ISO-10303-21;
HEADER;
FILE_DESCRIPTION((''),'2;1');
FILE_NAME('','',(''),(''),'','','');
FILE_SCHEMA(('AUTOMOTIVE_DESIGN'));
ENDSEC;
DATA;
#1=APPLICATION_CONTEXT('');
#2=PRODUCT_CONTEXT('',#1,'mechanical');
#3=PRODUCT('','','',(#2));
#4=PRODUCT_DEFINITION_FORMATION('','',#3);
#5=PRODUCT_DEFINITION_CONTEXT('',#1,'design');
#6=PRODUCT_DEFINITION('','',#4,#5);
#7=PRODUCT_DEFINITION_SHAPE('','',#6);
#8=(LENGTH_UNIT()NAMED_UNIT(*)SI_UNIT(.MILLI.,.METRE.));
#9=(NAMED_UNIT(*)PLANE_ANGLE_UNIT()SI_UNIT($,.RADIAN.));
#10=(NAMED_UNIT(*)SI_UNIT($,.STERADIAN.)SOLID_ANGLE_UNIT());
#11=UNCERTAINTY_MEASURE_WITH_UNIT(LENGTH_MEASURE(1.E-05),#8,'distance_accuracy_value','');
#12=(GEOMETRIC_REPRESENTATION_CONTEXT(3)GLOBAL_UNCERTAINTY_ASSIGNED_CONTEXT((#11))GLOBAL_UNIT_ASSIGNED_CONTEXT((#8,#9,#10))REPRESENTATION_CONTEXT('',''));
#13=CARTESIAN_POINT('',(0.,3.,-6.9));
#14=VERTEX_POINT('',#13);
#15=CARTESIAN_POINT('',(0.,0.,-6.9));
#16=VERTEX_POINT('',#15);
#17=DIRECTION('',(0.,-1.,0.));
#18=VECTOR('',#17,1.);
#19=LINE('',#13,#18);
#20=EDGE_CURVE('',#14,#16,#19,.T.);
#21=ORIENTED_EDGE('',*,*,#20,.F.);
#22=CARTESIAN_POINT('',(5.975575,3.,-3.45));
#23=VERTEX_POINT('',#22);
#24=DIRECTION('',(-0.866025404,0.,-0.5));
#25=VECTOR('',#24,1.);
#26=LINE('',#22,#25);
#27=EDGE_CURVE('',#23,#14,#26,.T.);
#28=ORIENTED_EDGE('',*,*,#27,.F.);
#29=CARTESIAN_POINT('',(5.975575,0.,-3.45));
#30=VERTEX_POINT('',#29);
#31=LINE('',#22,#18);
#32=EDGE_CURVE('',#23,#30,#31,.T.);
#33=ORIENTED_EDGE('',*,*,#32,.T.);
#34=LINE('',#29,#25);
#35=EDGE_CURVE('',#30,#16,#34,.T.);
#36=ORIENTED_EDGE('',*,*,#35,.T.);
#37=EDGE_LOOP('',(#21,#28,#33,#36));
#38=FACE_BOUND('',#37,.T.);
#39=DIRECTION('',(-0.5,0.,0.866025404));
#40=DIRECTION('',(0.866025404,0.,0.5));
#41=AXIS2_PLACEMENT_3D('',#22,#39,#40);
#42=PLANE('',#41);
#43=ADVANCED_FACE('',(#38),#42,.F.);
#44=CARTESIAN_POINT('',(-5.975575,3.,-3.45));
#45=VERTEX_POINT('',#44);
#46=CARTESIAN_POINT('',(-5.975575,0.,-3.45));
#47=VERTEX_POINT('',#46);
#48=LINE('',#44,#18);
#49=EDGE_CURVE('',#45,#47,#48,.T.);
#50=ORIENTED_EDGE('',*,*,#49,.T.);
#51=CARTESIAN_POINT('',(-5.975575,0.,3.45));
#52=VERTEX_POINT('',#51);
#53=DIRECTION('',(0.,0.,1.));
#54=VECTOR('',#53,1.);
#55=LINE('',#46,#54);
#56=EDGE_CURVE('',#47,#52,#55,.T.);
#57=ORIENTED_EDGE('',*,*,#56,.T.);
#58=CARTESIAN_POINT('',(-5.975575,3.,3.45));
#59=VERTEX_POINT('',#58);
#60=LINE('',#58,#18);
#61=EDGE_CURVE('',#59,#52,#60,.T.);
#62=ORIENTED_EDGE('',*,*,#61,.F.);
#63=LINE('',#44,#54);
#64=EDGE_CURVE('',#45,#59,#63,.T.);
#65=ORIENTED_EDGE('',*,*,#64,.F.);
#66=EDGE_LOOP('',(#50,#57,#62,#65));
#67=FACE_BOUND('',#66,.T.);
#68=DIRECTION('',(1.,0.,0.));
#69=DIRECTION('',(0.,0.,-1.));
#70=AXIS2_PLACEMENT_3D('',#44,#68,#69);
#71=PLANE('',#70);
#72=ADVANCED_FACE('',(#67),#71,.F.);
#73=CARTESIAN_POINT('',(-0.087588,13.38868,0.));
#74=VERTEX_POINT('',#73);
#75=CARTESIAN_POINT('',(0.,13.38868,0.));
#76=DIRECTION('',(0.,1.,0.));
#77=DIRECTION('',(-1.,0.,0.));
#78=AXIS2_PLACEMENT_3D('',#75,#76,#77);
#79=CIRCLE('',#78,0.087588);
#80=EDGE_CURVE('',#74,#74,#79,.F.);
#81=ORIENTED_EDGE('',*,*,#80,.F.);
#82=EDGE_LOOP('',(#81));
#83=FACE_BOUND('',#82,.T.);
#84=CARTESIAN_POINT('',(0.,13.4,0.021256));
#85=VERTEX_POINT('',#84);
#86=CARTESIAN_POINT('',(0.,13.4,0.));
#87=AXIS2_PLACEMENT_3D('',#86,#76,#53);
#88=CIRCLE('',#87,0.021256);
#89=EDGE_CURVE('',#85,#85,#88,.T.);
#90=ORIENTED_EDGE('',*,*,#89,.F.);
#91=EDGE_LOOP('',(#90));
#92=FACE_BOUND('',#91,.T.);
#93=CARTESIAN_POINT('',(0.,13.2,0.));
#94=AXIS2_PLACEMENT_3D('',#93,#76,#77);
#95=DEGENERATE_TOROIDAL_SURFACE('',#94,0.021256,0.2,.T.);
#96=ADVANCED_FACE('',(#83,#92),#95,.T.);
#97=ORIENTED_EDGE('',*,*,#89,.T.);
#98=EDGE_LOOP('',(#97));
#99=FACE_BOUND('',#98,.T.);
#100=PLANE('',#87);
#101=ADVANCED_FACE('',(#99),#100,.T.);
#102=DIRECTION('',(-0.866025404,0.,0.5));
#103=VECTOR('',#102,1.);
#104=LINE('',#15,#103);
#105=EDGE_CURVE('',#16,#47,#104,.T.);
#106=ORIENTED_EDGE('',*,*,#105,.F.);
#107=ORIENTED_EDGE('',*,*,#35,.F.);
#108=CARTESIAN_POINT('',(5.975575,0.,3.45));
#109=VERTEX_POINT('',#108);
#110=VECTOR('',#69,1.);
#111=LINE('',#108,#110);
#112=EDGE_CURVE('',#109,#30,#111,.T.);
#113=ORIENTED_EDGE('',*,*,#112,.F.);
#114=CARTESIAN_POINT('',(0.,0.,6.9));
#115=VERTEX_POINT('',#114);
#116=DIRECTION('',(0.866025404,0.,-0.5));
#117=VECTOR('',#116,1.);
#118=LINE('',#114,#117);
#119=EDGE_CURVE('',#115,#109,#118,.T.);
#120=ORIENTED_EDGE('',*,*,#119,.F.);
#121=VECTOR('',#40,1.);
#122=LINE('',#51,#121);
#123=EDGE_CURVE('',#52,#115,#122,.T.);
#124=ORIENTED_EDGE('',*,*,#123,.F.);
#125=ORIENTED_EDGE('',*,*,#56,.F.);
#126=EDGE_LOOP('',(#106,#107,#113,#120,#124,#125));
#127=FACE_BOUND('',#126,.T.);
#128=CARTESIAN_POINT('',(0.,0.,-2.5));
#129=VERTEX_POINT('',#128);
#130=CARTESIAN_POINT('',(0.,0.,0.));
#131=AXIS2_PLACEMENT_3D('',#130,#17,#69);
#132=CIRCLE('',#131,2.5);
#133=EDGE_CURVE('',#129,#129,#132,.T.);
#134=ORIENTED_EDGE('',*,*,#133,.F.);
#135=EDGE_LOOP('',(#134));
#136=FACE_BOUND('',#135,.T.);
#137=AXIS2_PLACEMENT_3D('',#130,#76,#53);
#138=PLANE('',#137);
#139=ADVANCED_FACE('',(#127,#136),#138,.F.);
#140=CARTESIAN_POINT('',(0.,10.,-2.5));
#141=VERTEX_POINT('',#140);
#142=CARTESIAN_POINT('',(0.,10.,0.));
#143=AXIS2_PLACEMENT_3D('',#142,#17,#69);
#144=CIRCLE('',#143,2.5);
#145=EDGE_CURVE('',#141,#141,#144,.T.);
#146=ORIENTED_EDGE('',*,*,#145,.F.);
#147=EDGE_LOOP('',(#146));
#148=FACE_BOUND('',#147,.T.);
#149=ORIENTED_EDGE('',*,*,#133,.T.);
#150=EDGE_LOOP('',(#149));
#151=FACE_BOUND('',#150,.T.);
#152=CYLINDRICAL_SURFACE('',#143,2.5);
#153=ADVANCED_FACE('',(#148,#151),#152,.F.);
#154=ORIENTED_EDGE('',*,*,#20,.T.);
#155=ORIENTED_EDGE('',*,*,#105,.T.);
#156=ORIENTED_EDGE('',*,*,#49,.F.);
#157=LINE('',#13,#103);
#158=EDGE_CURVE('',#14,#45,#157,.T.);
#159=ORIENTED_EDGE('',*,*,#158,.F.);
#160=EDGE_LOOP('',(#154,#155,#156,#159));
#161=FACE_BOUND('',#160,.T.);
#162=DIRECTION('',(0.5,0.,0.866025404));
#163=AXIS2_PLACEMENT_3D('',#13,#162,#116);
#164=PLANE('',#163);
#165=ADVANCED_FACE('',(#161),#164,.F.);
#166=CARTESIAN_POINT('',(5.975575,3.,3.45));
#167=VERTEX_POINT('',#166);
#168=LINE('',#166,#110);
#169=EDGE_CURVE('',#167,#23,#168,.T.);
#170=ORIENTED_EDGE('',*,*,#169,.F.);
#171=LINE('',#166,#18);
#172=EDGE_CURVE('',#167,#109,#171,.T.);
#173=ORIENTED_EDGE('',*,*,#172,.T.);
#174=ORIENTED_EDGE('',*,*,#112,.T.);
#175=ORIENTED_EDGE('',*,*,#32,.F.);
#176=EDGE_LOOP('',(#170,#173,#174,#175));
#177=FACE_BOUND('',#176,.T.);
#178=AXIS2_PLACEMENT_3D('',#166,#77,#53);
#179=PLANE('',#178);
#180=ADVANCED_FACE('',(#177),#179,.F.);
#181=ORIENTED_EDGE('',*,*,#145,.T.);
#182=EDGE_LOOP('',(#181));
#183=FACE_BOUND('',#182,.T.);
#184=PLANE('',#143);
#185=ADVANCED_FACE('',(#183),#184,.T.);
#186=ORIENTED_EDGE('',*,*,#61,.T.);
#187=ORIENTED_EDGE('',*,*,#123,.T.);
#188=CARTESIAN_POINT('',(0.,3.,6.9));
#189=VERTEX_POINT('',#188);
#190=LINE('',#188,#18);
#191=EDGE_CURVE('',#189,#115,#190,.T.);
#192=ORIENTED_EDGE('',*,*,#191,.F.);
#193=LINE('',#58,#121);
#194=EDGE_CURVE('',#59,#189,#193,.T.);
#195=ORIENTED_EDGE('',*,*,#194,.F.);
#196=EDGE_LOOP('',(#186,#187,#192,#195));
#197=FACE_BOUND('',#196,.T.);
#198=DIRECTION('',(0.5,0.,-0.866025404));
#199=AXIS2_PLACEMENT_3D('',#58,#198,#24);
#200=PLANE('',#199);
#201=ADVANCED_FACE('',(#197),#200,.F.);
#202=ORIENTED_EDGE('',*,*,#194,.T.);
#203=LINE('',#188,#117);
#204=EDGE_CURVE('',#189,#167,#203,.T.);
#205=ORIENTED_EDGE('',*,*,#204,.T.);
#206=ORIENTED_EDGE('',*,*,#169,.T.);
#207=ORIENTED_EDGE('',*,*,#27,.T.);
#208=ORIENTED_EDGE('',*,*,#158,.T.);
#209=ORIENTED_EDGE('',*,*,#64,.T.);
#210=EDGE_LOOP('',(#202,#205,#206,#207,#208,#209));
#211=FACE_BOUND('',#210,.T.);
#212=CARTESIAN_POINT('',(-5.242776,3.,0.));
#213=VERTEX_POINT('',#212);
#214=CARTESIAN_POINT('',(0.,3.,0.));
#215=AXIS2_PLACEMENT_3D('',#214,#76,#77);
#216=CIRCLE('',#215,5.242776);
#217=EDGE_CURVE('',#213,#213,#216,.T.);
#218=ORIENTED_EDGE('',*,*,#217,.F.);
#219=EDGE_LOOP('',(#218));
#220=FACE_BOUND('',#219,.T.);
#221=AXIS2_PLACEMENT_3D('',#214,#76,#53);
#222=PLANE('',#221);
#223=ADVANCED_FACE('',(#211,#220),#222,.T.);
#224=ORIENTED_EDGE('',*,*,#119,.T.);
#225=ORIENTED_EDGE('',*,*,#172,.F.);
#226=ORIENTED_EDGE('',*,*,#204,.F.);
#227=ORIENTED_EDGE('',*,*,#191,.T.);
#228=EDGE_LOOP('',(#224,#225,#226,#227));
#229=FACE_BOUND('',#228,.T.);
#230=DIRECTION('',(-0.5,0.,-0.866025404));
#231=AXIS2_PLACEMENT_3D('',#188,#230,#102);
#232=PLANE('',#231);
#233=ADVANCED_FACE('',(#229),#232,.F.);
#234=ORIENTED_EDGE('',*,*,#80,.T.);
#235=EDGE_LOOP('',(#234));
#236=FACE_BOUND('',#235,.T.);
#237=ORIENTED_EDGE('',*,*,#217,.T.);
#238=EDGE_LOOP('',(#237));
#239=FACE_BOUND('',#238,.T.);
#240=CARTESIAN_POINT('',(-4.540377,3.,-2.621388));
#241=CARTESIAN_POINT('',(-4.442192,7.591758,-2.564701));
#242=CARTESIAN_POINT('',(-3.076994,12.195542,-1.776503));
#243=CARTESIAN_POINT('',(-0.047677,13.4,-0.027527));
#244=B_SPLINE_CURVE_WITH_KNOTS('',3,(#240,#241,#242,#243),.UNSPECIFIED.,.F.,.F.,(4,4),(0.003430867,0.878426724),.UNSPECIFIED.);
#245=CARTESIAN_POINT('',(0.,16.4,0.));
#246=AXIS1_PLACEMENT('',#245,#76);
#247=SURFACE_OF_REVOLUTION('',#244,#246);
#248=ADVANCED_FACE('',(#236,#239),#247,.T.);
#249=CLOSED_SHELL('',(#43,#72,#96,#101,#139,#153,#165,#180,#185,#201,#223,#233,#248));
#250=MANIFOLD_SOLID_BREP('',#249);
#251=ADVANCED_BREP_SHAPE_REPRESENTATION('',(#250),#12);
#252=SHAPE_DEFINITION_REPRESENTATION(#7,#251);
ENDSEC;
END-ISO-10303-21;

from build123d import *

# Parameters (mm, degrees)
SALIENTE_EXTRUIR1_DEPTH = 3
CROQUIS2_R              = 5.5
SALIENTE_EXTRUIR2_DEPTH = 10.4
REDONDEO3_R             = 0.2
CROQUIS4_R              = 2.5
CORTAR_EXTRUIR1_DEPTH   = 10


with BuildPart() as part:
    # Croquis1 → Saliente-Extruir1 (new body)
    with BuildSketch(Plane(origin=(0, 0, 0), x_dir=(1, 0, 0), z_dir=(0, 1, 0))):
        Polygon((0, -6.9), (5.975575286, -3.45), (5.975575286, 3.45), (0, 6.9), (-5.975575286, 3.45), (-5.975575286, -3.45), align=None)
    extrude(amount=SALIENTE_EXTRUIR1_DEPTH)

    # Croquis2 → Saliente-Extruir2 (add)
    with BuildSketch(Plane(origin=(0, 3, 0), x_dir=(1, 0, 0), z_dir=(0, 1, 0))):
        Circle(CROQUIS2_R)
    extrude(amount=SALIENTE_EXTRUIR2_DEPTH)

    # Croquis3 → Cortar-Revolución17 (revolve, cut)
    with BuildSketch(Plane(origin=(0, 0, 0), x_dir=(0.8660254037844386, 0, 0.5000000000000001), z_dir=(-0.5000000000000001, 0, 0.8660254037844386))):
        with BuildLine():
            Line((-0.05505313, 13.4), (-9.065705725, 13.4))
            Line((-9.065705725, 13.4), (-9.065705725, 3))
            Line((-9.065705725, 3), (-5.242775997, 3))
            add(Edge.make_bspline(
                [(-0.05505313, 13.4), (-3.55300642, 12.195542183), (-5.129402013, 7.591757737), (-5.242775997, 3)],
                knots=[0.003430867, 0.003430867, 0.003430867, 0.003430867, 0.878426724, 0.878426724, 0.878426724, 0.878426724], degree=3))
        make_face()
    revolve(axis=Axis((0, 16.4, 0), (0, -1, 0)), mode=Mode.SUBTRACT)

    # Redondeo3
    redondeo3_edges = [part.edges().sort_by_distance(p)[0] for p in [
        (0.04767741, 13.4, 0.027526565),
    ]]
    fillet(redondeo3_edges, radius=REDONDEO3_R)

    # Croquis4 → Cortar-Extruir1 (cut)
    with BuildSketch(Plane.XZ):
        Circle(CROQUIS4_R)
    extrude(amount=-CORTAR_EXTRUIR1_DEPTH, mode=Mode.SUBTRACT)


solid = part.part
